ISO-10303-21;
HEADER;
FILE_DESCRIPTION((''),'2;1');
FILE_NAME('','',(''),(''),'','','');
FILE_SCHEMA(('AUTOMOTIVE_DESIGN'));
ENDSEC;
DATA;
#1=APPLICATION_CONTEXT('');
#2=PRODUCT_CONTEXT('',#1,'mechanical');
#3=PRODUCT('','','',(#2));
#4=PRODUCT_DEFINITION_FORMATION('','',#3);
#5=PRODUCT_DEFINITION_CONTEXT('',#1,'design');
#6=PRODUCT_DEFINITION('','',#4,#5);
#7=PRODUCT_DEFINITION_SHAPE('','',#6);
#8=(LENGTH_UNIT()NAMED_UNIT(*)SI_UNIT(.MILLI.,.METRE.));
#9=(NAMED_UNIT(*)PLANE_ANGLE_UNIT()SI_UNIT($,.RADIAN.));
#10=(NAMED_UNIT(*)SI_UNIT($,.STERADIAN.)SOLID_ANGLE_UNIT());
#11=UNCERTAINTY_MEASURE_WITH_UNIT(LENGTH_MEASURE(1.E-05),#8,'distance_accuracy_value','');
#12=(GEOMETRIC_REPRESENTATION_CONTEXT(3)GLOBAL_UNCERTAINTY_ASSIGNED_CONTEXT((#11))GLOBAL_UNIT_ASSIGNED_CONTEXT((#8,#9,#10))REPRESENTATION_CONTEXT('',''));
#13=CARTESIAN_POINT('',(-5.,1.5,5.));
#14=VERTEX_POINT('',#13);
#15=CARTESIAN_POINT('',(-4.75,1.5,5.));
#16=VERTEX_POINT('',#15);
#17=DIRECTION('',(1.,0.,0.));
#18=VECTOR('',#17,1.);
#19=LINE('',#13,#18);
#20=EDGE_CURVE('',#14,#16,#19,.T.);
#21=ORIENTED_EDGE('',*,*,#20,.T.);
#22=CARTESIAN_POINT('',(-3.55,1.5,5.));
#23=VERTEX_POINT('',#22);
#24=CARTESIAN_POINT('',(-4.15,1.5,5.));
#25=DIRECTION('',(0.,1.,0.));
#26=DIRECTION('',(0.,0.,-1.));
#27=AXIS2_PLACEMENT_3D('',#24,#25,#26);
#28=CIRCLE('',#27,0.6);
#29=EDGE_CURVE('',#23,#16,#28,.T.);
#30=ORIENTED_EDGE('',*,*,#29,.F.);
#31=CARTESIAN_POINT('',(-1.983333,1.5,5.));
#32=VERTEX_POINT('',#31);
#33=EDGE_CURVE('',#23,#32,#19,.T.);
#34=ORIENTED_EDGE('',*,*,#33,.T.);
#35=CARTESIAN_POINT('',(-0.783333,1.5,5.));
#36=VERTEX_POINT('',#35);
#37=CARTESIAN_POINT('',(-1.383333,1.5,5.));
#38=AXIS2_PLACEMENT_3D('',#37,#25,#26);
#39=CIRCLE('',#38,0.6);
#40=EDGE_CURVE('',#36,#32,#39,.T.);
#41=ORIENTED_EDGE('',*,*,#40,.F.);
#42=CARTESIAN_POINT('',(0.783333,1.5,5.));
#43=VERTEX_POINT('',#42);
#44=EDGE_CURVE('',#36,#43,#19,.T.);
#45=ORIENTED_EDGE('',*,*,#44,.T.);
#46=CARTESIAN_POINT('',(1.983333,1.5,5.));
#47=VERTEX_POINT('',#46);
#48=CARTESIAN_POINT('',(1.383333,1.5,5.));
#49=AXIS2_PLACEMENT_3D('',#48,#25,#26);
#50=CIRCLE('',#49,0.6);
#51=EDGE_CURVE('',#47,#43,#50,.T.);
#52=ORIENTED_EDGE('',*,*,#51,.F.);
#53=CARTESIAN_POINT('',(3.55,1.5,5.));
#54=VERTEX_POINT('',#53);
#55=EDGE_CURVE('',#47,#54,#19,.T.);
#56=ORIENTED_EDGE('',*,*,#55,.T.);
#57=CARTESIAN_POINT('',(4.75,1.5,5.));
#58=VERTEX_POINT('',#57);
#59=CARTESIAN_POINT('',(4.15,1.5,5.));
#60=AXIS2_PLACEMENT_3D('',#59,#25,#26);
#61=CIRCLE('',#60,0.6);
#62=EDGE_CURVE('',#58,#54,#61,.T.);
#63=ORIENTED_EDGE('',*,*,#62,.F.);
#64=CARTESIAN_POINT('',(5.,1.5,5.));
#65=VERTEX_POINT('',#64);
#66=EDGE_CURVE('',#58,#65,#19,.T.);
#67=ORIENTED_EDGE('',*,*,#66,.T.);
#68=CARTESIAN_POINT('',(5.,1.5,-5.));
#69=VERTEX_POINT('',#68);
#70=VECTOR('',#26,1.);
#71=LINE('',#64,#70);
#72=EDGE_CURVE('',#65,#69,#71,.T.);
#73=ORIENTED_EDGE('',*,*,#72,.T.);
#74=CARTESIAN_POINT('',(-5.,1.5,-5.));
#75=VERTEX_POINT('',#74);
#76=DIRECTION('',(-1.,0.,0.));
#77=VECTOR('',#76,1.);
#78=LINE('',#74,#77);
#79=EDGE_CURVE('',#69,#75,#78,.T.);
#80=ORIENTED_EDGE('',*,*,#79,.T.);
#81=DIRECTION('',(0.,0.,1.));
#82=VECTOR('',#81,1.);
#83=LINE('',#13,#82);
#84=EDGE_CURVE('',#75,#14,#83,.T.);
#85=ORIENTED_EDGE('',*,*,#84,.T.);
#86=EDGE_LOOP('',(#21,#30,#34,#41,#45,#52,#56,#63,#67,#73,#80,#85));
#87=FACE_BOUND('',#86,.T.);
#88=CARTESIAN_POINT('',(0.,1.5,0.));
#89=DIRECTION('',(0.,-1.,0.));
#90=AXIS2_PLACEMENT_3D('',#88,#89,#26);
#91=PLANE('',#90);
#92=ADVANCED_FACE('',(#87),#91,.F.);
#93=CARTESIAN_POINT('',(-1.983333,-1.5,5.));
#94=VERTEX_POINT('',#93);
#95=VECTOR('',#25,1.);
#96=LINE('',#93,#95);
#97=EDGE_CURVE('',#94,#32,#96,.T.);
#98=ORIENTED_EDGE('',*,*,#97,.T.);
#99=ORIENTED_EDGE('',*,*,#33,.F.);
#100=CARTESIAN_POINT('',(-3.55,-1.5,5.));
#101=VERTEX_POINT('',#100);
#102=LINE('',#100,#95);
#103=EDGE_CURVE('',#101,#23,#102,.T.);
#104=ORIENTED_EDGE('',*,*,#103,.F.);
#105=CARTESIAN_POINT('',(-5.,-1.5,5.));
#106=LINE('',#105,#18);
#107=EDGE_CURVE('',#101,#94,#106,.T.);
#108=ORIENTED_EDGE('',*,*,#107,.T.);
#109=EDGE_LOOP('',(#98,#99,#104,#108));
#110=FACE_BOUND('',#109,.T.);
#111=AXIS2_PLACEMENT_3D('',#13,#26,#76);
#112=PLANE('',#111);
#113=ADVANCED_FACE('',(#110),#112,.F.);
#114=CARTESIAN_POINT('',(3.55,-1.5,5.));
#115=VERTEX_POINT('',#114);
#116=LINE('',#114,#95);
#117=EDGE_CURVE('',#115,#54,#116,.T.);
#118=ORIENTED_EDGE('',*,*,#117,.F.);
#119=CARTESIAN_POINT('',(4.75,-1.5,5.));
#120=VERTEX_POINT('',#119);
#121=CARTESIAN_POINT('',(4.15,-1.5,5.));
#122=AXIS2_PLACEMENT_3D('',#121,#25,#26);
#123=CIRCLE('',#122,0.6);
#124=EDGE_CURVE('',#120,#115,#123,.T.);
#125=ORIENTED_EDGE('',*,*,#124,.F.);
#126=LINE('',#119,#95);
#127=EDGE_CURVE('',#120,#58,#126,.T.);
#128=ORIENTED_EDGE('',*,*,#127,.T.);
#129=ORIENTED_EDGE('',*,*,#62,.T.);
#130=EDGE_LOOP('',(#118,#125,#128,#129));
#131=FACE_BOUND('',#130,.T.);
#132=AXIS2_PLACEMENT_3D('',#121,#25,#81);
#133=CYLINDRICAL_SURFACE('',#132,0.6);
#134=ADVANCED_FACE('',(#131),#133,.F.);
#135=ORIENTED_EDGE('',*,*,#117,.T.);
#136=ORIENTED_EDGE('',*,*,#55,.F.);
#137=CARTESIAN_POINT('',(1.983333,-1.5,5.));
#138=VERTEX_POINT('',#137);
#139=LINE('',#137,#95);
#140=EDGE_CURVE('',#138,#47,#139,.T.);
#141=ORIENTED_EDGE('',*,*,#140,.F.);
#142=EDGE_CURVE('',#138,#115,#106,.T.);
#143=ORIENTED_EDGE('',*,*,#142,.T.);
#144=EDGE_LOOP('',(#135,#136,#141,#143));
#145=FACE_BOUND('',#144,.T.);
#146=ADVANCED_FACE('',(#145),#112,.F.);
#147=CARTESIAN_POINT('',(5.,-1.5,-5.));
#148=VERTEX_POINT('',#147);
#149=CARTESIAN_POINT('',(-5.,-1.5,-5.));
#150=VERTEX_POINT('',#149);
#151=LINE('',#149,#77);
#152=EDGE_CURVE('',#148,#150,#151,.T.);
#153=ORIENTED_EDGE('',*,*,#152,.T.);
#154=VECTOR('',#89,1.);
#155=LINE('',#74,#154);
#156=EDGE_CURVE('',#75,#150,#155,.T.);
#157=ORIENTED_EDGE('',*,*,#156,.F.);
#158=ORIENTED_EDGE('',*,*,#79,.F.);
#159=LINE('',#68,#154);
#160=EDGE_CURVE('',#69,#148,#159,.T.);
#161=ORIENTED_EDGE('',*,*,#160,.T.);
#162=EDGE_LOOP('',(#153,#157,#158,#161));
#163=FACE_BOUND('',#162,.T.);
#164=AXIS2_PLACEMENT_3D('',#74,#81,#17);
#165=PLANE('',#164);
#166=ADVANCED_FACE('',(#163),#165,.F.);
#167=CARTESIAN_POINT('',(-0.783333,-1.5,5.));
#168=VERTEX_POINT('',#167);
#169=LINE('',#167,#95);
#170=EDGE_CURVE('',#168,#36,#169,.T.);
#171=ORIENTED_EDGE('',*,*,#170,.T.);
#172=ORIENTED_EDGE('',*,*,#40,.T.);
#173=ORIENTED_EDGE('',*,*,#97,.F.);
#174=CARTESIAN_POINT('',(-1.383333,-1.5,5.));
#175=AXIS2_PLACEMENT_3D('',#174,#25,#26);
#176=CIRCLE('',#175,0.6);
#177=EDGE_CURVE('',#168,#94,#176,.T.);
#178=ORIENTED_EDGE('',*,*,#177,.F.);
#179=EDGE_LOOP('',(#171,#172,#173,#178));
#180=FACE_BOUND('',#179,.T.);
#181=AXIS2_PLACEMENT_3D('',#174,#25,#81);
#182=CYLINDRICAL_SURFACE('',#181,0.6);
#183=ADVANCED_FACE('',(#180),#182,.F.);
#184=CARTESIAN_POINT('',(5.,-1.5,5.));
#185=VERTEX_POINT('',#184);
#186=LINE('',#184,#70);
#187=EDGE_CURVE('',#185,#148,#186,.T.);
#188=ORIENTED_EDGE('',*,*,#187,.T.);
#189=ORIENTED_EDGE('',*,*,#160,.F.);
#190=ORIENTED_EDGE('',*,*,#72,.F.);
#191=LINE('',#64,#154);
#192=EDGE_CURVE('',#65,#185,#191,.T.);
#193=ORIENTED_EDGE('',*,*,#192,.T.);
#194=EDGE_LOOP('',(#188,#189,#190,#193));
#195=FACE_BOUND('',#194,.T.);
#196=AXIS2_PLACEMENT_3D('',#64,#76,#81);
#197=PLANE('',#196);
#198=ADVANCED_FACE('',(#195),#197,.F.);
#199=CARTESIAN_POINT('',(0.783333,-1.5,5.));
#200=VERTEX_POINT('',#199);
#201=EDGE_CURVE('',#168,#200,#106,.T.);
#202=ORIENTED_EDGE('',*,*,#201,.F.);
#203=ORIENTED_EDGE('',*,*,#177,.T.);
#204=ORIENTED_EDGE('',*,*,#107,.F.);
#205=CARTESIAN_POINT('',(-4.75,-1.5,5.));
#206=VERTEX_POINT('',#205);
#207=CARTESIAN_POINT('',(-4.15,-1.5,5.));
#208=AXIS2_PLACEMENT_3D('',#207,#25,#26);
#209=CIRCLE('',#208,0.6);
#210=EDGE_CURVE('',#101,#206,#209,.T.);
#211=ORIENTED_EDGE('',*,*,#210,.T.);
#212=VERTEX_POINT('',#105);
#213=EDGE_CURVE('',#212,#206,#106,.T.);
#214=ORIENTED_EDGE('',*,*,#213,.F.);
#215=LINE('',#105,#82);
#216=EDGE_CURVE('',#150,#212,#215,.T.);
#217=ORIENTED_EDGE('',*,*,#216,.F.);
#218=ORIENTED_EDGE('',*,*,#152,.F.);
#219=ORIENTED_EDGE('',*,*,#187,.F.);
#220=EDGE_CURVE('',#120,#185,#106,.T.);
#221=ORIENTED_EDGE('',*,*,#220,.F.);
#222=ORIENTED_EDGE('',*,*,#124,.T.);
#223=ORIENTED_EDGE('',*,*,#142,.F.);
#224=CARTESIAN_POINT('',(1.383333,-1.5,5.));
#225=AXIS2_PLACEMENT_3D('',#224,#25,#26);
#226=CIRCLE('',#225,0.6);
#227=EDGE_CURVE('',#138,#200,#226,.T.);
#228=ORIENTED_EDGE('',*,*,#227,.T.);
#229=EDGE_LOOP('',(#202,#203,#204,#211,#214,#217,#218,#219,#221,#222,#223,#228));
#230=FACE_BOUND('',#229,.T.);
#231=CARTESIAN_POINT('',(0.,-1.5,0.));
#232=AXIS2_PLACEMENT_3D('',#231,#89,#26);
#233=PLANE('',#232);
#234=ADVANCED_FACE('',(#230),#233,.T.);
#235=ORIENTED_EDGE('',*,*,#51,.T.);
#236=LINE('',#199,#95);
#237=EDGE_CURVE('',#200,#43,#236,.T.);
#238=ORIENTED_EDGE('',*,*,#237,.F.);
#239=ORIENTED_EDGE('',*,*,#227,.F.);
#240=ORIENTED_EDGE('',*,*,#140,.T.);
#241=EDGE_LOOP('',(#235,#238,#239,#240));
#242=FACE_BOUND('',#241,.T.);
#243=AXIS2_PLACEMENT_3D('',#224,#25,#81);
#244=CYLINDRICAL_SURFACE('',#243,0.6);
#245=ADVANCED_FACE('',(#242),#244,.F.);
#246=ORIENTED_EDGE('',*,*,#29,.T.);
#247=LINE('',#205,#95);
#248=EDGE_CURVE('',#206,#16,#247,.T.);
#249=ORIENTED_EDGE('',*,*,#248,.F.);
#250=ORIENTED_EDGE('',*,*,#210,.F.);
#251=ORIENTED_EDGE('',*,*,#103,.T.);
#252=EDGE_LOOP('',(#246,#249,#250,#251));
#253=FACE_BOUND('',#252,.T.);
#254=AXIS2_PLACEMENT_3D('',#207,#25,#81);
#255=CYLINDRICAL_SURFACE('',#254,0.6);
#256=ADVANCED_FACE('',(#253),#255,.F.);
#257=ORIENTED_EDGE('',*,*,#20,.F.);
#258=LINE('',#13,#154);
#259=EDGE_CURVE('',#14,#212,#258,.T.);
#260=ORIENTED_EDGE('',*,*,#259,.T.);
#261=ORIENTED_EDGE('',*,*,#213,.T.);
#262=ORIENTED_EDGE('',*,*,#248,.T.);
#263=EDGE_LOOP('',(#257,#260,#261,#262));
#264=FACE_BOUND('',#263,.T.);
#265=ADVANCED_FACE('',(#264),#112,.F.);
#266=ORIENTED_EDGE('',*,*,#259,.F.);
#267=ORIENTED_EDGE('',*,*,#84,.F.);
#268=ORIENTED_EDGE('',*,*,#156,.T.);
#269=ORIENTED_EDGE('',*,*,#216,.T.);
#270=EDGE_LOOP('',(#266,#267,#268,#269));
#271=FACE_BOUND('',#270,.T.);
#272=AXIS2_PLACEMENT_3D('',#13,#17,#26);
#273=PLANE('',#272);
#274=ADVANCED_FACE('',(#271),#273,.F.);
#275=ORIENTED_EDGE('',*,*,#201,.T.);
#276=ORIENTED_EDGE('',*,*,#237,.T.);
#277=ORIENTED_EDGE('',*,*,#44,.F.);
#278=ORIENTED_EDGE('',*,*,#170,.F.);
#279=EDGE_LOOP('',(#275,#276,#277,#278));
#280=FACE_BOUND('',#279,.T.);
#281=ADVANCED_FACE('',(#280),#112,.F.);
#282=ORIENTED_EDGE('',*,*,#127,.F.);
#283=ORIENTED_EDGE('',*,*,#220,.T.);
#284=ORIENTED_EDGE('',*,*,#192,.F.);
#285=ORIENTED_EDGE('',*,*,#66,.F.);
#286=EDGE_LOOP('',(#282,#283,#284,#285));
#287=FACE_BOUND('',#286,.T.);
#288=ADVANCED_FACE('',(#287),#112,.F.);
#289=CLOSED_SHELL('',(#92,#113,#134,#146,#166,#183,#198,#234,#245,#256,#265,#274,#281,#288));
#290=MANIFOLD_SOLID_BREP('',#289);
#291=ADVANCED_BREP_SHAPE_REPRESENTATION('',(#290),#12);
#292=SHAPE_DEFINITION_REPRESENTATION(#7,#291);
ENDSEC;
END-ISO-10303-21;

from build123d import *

# Parameters (mm, degrees)
SKETCH1_W           = 10
SKETCH1_H           = 10
BOSS_EXTRUDE1_DEPTH = 1.5
CUT_EXTRUDE1_DEPTH  = 1.5
LPATTERN1_COUNT     = 4
LPATTERN1_PITCH     = 2.766666667


with BuildPart() as part:
    # Sketch1 → Boss-Extrude1 (new body, symmetric)
    with BuildSketch(Plane(origin=(0, 0, 0), x_dir=(1, 0, 0), z_dir=(0, 1, 0))):
        Rectangle(SKETCH1_W, SKETCH1_H)
    extrude(amount=BOSS_EXTRUDE1_DEPTH, both=True)

    # Sketch2 → Cut-Extrude1 (cut, symmetric)
    with BuildSketch(Plane(origin=(0, 0, 0), x_dir=(1, 0, 0), z_dir=(0, 1, 0))):
        with BuildLine():
            Line((-4.75, -5), (-3.55, -5))
            ThreePointArc((-3.55, -5), (-4.15, -4.4), (-4.75, -5))
        make_face()
    cut_extrude1 = extrude(amount=CUT_EXTRUDE1_DEPTH, both=True, mode=Mode.SUBTRACT)

    # LPattern1: Cut-Extrude1 ×4
    with Locations(*[(i * LPATTERN1_PITCH, 0, 0) for i in range(1, LPATTERN1_COUNT)]):
        add(cut_extrude1, mode=Mode.SUBTRACT)


solid = part.part
